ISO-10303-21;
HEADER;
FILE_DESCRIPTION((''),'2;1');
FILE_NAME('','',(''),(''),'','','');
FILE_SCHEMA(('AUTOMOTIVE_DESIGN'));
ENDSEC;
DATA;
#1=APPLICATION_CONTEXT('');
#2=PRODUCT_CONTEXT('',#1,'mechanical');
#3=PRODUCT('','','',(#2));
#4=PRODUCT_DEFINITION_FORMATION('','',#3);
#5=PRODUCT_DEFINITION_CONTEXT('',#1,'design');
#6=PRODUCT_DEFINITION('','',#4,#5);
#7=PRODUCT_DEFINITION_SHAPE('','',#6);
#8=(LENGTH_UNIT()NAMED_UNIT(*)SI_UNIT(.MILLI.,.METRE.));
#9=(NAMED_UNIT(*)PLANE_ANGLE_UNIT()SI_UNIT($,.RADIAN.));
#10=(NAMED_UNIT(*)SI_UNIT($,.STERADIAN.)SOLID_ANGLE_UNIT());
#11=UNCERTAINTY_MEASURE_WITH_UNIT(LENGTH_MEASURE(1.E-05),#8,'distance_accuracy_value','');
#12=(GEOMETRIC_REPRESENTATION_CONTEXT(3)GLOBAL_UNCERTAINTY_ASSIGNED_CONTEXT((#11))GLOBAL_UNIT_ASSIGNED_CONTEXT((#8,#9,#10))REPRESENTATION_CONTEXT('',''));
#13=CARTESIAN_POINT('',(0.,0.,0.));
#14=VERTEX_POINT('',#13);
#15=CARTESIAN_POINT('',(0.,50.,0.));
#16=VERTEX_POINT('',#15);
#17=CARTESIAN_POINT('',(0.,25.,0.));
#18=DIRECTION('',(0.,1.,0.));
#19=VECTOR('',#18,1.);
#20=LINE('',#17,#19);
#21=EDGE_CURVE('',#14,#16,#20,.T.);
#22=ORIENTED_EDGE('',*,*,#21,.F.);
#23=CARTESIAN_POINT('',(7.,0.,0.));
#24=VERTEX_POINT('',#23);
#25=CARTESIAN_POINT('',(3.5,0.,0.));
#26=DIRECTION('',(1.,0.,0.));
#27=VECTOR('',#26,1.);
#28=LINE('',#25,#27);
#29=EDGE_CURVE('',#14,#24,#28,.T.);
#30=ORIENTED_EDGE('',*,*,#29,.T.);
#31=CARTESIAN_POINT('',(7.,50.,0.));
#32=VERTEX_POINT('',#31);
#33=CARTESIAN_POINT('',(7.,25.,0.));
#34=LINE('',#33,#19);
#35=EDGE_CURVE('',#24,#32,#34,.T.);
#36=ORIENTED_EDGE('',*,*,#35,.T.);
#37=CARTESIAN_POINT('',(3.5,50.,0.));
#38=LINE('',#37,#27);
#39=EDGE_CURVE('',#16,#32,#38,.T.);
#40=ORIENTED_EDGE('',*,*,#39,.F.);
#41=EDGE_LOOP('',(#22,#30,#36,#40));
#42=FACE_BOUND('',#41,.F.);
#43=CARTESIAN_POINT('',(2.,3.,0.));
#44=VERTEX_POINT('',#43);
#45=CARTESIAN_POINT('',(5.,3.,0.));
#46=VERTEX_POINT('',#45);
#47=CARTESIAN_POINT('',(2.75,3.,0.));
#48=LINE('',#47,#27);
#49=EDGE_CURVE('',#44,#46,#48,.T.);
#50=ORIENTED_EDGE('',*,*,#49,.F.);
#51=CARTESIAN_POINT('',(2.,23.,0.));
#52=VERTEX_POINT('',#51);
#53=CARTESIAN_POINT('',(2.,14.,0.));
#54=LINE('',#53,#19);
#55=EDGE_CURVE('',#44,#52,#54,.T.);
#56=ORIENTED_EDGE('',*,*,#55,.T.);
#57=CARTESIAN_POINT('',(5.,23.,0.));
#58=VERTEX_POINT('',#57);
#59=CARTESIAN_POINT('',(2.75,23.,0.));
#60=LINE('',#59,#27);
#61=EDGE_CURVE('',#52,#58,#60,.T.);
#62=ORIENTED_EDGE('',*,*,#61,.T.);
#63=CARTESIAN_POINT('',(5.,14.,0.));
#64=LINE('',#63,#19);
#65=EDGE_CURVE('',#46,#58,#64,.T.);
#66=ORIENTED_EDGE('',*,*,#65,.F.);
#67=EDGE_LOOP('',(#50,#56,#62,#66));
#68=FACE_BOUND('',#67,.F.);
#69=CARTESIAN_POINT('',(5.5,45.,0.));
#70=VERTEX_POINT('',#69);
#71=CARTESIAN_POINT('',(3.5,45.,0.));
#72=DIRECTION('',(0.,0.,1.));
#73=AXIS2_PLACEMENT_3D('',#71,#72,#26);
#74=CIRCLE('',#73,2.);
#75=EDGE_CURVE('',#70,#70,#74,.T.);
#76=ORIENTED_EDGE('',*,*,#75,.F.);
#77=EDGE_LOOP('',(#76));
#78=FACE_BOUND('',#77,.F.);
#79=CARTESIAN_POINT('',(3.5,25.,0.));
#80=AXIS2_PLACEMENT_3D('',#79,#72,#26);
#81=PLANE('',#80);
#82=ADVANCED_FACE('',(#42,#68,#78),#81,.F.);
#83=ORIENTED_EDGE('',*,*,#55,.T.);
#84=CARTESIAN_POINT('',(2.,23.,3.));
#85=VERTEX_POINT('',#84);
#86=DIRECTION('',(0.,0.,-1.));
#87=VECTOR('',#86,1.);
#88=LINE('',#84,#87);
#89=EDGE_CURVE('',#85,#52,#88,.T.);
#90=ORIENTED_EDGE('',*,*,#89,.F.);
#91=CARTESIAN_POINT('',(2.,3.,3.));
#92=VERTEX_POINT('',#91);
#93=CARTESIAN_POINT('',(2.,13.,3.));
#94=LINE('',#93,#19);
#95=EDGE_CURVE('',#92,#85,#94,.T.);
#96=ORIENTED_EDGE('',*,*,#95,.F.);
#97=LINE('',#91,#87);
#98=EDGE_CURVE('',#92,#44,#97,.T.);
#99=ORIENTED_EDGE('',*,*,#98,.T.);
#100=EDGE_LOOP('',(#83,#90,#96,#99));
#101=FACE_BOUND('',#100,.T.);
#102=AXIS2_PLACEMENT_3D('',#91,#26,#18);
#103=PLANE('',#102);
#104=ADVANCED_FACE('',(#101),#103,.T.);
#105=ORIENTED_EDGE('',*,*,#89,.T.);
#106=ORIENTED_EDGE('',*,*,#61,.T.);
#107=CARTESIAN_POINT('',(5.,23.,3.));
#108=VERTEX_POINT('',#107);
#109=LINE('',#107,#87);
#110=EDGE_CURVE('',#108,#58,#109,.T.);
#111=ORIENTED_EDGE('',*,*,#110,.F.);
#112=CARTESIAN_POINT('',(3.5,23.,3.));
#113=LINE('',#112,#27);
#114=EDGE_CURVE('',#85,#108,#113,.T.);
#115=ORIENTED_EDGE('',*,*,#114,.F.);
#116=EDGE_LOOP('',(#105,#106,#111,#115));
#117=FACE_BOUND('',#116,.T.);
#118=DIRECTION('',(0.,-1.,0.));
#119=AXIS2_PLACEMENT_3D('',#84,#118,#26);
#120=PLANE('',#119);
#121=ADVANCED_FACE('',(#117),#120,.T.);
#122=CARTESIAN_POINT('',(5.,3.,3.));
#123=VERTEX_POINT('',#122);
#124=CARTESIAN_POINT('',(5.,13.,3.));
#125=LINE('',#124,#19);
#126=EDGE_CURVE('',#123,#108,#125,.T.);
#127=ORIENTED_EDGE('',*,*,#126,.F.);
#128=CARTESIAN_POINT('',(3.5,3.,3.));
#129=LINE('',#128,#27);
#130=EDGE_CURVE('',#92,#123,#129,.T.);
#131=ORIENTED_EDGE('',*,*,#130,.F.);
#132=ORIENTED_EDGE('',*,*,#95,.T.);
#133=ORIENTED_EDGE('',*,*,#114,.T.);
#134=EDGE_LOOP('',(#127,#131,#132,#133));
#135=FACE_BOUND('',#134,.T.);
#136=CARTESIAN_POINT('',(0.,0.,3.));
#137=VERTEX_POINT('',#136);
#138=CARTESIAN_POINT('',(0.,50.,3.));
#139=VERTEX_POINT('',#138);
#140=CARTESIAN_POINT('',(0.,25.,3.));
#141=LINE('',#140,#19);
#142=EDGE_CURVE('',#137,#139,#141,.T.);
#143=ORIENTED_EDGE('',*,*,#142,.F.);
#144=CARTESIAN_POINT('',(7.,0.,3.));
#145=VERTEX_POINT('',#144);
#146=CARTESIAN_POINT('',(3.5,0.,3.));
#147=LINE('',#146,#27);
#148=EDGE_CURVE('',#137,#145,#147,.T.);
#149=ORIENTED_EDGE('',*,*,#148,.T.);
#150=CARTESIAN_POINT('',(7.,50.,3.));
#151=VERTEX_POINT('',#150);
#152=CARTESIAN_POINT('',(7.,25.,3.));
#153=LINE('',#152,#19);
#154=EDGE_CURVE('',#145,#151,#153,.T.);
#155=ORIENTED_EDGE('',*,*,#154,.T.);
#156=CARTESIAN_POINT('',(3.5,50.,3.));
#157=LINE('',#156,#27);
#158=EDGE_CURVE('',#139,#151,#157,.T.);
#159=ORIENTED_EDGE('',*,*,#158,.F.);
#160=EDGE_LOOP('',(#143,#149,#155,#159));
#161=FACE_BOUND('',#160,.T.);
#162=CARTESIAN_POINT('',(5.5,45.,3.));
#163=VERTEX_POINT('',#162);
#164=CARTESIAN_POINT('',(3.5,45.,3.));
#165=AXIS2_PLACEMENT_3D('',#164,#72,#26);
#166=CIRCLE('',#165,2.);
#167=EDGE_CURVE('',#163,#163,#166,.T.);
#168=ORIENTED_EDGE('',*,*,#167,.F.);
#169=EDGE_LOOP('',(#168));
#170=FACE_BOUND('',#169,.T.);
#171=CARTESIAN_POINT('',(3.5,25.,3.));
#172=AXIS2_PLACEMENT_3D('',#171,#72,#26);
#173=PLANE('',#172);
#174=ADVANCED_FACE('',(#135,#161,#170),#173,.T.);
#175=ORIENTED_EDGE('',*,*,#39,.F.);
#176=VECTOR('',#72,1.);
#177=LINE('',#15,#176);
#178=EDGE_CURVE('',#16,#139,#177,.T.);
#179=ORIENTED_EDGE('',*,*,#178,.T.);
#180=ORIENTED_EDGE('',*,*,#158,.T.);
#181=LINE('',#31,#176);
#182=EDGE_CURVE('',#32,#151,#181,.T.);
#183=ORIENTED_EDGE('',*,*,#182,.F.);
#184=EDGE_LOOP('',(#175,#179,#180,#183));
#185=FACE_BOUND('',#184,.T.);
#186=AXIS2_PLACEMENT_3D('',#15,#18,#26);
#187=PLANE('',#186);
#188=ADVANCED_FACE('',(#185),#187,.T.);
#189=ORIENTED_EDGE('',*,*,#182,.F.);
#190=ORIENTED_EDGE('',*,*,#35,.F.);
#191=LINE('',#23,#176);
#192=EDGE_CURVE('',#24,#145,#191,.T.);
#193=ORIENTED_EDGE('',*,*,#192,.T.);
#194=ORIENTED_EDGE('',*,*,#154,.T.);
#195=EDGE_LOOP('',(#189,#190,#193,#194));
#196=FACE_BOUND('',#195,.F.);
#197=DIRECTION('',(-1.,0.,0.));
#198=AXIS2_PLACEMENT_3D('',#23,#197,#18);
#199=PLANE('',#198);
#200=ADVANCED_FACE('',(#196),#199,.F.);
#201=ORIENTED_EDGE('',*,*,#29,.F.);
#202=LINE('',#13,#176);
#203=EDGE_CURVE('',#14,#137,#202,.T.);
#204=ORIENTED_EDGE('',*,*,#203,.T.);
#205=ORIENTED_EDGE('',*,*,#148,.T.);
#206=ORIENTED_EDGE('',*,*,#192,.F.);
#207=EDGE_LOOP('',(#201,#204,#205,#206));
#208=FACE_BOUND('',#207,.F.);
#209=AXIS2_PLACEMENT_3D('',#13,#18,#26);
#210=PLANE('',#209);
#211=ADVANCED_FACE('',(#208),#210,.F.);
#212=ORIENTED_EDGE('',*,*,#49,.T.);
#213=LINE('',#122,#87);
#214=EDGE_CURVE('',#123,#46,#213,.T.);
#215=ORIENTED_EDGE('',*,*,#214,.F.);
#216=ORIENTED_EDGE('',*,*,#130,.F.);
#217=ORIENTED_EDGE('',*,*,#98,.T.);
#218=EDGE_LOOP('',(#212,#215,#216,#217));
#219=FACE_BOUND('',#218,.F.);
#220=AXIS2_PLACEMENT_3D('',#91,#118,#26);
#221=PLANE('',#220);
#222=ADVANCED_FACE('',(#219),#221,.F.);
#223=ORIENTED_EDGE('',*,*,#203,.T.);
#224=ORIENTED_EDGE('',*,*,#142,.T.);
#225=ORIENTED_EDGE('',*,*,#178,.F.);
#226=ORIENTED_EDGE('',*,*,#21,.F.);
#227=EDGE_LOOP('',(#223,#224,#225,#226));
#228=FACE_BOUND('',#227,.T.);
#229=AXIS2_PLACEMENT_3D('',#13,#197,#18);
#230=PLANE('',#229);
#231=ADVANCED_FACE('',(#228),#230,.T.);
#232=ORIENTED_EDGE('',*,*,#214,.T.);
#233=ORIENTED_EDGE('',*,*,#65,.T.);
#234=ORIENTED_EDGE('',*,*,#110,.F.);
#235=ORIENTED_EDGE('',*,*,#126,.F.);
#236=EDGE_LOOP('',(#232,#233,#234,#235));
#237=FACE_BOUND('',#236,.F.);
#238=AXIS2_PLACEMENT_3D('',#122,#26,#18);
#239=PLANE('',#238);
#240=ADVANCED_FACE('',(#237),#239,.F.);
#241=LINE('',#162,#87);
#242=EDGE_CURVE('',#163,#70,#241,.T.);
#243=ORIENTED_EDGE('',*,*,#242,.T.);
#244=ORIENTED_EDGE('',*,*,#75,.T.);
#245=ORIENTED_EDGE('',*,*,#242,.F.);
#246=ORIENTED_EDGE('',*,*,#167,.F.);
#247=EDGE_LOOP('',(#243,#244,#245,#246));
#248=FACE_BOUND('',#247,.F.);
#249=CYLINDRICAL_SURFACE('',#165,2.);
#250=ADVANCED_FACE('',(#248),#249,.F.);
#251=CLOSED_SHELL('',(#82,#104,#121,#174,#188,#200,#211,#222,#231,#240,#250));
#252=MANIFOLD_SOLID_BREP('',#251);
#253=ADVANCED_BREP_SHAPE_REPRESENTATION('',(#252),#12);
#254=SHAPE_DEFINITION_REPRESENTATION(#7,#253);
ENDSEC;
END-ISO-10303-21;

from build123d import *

# Parameters (mm, degrees)
F0_W     = 7
F0_H     = 50
F1_DEPTH = 3
F2_W     = 3
F2_H     = 20
F2_R     = 2
F3_DEPTH = 3.001


with BuildPart() as f1:
    # F0 (on Top) → F1 (new body)
    with BuildSketch(Plane.XY):
        with Locations((3.5, 25)):
            Rectangle(F0_W, F0_H)
    extrude(amount=F1_DEPTH)

    # F2 (on face) → F3 (cut, through all)
    with BuildSketch(Plane.XY.offset(3)):
        with Locations((3.5, 13)):
            Rectangle(F2_W, F2_H)
        with Locations((3.5, 45)):
            Circle(F2_R)
    extrude(amount=-F3_DEPTH, mode=Mode.SUBTRACT)


solid = f1.part
